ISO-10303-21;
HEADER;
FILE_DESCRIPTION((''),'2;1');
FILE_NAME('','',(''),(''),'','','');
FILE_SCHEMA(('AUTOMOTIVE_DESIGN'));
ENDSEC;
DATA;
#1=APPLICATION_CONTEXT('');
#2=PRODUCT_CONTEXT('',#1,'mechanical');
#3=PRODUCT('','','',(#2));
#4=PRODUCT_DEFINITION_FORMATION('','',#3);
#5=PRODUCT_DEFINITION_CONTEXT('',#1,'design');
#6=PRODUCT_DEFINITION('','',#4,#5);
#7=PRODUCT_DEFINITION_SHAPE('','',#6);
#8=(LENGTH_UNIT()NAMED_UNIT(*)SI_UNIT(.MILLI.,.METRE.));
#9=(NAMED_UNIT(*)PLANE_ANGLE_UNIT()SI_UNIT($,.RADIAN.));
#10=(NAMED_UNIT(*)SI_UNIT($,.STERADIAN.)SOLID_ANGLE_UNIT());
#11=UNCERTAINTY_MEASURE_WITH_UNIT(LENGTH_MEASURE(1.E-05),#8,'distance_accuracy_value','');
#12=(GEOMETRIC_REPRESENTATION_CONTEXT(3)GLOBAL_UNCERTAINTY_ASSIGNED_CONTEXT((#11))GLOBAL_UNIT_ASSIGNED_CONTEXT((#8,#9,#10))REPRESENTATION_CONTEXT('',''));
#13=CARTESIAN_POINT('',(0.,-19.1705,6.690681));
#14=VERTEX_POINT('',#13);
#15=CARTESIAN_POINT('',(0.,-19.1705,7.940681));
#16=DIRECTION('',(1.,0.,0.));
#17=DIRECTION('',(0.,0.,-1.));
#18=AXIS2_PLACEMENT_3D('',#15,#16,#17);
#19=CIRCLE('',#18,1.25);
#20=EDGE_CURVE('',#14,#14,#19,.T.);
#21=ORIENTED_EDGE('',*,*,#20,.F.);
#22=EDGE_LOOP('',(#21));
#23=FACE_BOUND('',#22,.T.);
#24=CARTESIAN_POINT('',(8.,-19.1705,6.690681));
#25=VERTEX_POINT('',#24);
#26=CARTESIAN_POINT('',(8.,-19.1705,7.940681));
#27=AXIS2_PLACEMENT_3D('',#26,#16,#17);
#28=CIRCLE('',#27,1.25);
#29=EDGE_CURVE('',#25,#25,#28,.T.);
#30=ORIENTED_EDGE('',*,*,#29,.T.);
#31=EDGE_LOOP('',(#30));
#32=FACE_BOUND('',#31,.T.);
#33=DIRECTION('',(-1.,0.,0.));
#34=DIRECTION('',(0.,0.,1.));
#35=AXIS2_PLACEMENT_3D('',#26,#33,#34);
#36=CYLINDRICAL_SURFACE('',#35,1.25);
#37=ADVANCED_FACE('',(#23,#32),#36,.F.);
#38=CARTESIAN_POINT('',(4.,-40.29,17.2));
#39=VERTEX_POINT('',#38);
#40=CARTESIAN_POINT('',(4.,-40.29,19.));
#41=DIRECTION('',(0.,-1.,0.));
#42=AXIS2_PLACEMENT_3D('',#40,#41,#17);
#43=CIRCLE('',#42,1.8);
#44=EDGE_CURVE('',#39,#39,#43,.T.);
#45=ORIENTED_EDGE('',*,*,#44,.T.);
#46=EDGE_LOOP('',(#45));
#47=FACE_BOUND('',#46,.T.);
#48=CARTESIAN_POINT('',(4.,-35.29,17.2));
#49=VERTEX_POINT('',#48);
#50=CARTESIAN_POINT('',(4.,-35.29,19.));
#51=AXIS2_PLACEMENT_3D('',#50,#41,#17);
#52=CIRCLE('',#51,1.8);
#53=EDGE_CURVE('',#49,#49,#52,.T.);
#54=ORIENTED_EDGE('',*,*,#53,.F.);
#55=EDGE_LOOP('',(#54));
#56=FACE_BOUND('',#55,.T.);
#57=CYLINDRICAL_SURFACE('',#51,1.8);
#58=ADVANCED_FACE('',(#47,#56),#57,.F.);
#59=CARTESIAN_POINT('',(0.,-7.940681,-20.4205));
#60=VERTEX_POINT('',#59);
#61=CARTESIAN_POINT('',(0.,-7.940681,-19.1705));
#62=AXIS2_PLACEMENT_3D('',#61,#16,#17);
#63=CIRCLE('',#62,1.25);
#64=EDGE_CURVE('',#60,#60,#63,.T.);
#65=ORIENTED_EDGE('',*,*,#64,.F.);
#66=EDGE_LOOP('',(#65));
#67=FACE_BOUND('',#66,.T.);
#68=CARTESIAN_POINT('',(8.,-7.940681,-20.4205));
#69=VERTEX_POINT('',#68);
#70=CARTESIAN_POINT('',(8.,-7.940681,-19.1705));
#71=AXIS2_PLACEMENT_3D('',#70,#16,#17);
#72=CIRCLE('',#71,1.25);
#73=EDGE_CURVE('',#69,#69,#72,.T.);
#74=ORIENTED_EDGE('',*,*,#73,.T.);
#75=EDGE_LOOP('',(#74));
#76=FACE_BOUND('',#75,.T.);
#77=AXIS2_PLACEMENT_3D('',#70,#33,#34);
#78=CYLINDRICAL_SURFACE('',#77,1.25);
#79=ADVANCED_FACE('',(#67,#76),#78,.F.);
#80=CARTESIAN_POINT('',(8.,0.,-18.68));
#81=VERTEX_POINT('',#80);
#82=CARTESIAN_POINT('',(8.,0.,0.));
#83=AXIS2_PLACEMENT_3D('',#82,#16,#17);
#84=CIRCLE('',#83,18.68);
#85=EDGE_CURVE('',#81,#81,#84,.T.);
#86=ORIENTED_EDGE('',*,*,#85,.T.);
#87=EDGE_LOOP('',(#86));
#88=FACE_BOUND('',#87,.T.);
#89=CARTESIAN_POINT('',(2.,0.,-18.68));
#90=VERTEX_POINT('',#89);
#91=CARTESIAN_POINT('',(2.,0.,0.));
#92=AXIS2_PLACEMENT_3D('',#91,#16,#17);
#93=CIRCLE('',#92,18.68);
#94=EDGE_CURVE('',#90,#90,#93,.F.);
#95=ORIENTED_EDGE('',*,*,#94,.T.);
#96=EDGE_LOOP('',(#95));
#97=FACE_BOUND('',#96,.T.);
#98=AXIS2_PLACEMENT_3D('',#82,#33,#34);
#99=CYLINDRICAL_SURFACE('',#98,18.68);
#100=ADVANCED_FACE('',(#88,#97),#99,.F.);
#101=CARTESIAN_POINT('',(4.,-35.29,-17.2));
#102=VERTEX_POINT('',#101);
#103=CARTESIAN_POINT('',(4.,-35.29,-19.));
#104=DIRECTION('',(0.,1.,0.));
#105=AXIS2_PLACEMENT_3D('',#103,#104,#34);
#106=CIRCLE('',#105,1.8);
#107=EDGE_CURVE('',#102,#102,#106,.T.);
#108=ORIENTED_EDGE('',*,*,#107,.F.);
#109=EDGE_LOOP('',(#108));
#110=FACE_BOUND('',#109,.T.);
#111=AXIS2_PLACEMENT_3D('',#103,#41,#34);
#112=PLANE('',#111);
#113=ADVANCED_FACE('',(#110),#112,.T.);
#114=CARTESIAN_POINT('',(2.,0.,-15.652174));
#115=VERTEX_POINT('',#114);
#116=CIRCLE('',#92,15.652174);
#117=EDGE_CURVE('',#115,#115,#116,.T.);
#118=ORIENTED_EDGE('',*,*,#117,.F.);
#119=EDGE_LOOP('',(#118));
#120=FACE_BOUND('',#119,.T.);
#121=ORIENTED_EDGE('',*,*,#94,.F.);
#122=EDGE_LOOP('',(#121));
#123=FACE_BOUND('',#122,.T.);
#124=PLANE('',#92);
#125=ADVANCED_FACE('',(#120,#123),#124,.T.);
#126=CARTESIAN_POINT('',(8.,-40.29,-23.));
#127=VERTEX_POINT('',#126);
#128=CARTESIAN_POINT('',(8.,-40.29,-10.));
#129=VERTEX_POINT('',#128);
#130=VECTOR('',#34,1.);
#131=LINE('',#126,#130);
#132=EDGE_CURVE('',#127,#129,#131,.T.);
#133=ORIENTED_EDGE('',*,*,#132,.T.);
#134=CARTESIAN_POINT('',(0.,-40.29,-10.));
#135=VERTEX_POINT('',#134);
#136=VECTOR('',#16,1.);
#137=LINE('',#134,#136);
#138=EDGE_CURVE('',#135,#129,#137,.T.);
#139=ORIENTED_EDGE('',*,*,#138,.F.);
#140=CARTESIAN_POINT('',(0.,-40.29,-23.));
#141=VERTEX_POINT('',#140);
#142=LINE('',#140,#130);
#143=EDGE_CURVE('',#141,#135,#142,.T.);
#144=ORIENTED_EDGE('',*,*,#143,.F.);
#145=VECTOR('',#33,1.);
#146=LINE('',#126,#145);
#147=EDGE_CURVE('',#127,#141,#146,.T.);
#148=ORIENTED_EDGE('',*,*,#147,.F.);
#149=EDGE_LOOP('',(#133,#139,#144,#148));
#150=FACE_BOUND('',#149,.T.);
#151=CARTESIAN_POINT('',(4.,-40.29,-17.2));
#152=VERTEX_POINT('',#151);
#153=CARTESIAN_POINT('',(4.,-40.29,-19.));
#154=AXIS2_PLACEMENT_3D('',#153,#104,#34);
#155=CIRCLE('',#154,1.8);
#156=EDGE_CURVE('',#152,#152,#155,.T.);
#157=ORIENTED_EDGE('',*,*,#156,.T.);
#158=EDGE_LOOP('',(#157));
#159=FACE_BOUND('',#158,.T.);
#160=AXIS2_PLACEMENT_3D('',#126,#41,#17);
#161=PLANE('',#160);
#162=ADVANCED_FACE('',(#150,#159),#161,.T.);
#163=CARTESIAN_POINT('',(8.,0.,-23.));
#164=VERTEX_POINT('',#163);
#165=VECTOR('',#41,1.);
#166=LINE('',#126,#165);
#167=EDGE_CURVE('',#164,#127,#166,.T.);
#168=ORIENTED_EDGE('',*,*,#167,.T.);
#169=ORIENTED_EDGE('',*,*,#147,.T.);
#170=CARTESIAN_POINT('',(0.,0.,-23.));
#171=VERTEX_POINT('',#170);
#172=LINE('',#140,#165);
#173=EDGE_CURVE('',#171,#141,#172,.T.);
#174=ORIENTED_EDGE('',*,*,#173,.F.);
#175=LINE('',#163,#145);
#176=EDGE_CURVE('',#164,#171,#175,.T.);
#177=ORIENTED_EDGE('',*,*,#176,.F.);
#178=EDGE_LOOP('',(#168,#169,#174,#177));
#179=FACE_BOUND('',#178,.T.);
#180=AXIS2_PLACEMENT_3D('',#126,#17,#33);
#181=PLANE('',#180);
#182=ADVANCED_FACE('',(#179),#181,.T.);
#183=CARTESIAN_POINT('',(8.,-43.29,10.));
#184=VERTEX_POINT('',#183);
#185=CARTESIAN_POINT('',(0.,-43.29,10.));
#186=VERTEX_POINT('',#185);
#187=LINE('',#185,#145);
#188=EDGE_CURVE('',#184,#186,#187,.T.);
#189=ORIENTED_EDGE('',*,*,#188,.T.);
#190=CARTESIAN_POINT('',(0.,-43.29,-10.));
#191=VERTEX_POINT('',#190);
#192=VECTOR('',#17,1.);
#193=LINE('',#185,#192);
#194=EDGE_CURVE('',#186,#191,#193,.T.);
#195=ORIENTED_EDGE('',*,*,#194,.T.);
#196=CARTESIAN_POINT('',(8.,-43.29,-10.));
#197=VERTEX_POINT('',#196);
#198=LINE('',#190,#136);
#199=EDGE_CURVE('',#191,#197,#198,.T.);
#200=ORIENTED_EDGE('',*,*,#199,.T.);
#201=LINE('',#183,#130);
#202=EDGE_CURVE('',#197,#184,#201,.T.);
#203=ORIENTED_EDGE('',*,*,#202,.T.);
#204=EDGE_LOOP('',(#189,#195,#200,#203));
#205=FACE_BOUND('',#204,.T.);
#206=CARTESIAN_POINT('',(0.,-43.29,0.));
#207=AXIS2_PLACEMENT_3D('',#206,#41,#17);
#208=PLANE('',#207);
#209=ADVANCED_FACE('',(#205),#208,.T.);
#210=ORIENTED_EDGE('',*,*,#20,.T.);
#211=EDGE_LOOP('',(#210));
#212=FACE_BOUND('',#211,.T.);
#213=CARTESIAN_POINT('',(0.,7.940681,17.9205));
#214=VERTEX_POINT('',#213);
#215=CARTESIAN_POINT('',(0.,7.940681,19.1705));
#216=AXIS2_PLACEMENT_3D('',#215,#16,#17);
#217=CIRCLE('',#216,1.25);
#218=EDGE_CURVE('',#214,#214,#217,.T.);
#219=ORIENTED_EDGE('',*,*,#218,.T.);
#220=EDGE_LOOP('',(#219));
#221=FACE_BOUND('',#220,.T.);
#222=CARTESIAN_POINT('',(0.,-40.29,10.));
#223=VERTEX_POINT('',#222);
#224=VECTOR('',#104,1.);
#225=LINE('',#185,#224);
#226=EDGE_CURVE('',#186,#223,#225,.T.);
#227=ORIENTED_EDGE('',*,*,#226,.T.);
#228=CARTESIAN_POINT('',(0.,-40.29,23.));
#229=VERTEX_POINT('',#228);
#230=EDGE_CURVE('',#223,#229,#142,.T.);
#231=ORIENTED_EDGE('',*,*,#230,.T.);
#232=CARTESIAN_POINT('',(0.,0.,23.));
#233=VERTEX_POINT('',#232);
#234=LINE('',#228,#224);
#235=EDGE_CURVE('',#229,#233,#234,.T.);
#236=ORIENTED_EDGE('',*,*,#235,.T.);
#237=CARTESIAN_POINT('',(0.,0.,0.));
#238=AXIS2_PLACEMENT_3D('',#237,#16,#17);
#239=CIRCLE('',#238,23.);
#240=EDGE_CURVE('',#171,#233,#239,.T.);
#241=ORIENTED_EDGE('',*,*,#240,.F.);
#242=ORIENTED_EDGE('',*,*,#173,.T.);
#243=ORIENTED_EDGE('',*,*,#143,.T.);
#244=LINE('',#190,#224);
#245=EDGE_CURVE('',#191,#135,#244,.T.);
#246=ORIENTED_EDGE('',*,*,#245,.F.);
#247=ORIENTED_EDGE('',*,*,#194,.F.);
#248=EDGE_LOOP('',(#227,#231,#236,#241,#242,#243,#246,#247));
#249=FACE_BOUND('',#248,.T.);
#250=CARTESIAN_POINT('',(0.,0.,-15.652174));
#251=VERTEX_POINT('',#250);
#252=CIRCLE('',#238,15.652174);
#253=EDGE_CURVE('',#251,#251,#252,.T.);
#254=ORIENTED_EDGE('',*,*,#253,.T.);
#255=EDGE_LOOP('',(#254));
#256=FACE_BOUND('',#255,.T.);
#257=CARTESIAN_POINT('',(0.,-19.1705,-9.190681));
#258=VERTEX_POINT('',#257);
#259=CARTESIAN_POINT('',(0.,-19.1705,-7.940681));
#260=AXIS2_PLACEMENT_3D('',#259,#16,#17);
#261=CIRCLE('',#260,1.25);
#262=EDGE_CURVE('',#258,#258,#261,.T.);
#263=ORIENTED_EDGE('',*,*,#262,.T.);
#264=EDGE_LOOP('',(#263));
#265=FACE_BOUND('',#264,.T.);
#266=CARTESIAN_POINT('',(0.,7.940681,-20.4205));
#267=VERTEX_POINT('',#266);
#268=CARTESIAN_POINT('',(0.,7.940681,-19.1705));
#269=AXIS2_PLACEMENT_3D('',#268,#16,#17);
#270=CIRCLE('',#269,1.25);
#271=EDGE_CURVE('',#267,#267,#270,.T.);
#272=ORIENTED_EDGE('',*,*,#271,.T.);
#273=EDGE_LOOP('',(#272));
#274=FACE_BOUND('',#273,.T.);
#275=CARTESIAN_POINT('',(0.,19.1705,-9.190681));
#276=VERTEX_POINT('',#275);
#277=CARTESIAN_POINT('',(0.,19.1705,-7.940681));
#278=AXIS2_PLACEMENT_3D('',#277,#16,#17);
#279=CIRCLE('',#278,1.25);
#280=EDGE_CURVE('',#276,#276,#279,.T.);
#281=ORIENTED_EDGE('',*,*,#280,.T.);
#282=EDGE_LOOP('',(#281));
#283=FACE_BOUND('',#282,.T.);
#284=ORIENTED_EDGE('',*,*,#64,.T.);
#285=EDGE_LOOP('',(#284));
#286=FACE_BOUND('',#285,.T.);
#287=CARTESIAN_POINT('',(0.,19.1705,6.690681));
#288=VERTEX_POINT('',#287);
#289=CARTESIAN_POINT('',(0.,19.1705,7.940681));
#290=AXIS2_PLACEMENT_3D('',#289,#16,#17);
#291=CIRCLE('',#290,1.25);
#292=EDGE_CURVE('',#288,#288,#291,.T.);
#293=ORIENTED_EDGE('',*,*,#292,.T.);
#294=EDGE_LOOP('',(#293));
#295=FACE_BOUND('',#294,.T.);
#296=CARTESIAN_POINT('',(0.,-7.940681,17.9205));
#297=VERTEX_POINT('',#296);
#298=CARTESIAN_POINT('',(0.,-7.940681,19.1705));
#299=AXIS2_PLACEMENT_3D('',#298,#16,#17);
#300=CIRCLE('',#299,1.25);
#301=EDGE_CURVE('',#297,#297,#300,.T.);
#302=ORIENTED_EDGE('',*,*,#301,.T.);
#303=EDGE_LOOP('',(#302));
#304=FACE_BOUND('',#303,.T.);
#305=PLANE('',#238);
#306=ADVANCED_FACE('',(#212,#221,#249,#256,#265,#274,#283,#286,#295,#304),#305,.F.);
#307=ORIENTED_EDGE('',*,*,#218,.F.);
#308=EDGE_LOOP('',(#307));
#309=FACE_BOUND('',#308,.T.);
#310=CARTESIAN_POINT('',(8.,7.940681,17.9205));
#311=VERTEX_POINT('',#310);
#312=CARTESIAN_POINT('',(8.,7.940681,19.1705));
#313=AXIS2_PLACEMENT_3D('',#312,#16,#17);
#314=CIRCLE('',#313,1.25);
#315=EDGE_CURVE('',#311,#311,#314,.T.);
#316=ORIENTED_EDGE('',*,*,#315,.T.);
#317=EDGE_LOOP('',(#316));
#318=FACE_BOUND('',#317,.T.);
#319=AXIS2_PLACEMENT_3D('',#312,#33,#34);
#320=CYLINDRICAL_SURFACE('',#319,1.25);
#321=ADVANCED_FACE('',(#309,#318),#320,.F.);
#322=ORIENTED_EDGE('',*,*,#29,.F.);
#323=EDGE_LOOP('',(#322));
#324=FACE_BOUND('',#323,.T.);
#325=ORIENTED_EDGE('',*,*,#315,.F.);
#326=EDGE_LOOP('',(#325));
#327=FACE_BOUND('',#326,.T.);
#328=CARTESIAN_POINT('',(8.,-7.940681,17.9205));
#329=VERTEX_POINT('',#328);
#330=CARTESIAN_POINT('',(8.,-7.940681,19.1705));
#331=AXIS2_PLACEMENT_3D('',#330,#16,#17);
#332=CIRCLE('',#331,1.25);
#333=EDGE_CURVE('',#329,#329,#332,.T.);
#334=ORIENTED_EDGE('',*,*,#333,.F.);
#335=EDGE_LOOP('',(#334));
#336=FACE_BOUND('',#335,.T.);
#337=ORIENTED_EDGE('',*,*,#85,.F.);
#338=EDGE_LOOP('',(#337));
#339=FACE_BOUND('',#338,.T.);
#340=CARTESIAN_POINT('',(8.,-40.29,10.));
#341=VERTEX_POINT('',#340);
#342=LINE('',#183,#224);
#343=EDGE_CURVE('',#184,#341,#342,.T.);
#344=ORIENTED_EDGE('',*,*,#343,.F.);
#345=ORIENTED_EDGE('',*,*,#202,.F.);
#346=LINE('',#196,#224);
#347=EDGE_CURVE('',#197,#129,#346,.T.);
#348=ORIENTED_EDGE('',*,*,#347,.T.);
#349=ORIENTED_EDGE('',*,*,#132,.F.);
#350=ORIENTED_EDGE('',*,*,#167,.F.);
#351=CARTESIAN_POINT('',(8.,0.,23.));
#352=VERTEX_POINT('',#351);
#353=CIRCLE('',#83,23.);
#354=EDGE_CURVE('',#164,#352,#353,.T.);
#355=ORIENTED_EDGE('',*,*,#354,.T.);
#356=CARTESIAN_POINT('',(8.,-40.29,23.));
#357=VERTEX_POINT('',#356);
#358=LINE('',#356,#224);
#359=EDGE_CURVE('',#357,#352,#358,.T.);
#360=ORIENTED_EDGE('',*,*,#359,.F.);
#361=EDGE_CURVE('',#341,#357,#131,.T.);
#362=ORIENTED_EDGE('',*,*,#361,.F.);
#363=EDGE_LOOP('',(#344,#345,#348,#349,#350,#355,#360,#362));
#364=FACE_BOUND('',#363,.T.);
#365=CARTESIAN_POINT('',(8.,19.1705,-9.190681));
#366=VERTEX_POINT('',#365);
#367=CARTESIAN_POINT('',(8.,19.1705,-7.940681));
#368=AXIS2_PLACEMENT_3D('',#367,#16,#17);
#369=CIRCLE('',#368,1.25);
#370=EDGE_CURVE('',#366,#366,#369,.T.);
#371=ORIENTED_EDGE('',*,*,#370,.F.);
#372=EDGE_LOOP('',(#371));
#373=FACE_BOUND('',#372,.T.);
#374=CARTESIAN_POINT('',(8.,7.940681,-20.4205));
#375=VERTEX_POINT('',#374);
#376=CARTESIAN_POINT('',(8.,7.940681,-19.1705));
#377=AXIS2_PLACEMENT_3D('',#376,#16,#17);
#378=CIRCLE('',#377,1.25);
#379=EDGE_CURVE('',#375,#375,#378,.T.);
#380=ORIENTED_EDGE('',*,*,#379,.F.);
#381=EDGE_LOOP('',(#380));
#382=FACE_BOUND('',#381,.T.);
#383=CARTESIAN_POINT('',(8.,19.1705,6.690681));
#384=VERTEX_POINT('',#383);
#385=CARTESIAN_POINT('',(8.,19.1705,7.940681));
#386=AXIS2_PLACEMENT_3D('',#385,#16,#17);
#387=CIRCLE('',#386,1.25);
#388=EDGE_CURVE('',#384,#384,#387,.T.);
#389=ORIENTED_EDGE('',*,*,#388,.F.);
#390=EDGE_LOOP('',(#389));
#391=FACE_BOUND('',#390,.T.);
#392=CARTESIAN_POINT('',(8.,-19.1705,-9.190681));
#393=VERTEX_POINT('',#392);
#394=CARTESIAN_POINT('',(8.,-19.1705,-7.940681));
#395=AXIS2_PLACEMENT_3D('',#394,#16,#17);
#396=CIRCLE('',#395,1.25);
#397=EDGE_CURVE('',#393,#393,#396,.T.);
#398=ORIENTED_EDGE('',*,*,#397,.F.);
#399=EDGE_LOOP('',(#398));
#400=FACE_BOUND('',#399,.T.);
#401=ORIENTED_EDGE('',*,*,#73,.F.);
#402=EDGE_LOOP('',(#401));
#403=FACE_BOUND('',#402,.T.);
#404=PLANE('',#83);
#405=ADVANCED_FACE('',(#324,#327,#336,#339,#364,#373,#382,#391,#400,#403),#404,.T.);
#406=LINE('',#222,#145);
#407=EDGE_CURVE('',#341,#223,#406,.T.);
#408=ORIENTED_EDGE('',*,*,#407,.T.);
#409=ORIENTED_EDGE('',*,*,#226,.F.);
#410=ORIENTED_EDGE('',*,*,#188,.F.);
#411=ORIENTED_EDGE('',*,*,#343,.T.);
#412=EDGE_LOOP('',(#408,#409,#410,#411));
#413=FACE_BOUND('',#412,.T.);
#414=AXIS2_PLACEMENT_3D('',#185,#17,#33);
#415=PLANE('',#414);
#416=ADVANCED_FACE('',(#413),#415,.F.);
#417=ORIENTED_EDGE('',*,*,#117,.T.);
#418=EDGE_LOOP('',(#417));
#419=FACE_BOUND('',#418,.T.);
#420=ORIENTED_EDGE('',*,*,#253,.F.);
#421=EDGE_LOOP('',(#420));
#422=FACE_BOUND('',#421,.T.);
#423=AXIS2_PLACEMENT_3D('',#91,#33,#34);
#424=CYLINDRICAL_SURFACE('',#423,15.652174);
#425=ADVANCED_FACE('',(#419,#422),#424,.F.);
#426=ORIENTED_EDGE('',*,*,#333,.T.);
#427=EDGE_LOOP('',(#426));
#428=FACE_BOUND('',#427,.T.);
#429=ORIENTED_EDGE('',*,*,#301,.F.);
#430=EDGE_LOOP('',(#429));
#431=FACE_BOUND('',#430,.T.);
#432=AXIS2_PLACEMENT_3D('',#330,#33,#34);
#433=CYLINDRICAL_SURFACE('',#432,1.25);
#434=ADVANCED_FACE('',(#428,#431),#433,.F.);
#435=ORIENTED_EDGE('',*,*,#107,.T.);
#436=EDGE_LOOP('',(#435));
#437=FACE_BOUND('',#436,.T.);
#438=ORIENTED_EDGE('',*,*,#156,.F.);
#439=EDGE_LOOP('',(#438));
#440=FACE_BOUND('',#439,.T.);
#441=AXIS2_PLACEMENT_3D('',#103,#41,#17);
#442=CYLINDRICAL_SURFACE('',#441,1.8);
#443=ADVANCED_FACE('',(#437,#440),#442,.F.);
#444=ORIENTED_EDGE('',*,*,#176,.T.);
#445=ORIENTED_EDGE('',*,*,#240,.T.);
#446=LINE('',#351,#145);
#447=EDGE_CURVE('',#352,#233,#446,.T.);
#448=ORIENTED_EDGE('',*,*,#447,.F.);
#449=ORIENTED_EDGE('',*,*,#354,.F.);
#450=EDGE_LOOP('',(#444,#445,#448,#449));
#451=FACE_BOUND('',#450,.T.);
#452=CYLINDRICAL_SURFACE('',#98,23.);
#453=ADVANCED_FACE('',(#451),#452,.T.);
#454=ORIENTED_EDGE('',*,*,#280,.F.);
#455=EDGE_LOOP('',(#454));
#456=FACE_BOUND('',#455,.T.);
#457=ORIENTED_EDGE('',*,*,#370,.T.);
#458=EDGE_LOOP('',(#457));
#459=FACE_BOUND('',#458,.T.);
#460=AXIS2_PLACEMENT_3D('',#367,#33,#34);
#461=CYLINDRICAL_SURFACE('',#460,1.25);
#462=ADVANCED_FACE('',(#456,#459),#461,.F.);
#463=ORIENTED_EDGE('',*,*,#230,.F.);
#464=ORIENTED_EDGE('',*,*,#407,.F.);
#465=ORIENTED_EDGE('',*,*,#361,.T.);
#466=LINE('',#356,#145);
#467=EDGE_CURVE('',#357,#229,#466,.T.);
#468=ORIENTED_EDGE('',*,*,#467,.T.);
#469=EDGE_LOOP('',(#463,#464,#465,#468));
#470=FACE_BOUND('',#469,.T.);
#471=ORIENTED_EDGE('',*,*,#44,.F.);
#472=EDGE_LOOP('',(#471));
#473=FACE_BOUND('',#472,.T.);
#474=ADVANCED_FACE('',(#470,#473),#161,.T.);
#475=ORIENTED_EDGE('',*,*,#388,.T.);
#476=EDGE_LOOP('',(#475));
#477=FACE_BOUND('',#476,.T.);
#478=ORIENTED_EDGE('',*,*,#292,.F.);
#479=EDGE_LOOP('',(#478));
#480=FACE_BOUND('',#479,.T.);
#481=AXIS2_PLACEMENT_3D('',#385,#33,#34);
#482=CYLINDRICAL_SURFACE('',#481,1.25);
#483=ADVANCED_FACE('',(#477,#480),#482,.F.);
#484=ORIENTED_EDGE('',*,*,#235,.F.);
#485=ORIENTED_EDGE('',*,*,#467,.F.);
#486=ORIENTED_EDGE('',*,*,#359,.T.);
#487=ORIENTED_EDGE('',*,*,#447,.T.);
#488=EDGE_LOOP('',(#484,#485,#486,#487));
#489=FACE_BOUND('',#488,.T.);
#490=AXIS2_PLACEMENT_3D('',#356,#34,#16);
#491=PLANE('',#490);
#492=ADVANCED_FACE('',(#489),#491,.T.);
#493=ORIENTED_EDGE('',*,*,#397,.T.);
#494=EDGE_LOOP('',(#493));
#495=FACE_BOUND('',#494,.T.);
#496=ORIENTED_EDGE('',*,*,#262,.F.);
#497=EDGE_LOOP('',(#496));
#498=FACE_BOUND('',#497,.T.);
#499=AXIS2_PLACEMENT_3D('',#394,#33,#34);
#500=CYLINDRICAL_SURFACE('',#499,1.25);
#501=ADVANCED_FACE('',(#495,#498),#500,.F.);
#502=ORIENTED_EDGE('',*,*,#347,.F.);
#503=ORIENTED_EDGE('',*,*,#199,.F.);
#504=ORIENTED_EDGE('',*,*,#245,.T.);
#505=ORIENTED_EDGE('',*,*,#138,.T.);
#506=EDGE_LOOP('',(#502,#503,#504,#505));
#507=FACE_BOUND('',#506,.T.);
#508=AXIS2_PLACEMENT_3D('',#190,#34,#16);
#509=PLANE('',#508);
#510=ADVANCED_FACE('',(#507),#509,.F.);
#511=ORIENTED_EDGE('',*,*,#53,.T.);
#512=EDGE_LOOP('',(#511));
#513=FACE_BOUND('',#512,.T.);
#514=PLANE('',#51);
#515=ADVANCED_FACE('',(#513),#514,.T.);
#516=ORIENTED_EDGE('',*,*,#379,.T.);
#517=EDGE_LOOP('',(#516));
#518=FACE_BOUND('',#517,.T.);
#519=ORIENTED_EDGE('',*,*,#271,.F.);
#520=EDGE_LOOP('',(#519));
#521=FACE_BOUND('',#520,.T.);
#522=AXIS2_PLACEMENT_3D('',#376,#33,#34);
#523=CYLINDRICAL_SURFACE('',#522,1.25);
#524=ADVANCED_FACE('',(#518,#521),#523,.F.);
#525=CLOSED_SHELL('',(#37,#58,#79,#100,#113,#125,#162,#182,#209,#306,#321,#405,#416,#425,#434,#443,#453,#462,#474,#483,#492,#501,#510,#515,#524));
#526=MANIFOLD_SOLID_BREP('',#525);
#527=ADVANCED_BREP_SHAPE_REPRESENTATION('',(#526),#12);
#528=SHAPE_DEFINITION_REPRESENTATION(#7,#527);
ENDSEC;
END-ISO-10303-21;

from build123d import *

# Parameters (mm, degrees)
SKETCH_1_R          = 18.68
SKETCH_1_R_2        = 15.652173913
EXTRUDE_2_DEPTH     = 2
SKETCH_1_4_R        = 23
SKETCH_1_4_R_2      = 1.25
SKETCH_1_4_R_3      = 18.68
EXTRUDE_3_DEPTH     = 8
EXTRUDE_4_DEPTH     = 8
SKETCH_3_R          = 1.8
CUT_EXTRUDE_1_DEPTH = 5
SKETCH_4_W          = 8
SKETCH_4_H          = 20
EXTRUDE_5_DEPTH     = 3


with BuildPart() as part:
    # 草图1 → 凸台-拉伸2 (new body)
    with BuildSketch(Plane(origin=(0, 0, 0), x_dir=(0, 0, -1), z_dir=(1, 0, 0))):
        Circle(SKETCH_1_R)
        Circle(SKETCH_1_R_2, mode=Mode.SUBTRACT)
    extrude(amount=EXTRUDE_2_DEPTH)

    # 草图1<4> → 凸台-拉伸3 (add)
    with BuildSketch(Plane(origin=(0, 0, 0), x_dir=(0, 0, -1), z_dir=(1, 0, 0))):
        Circle(SKETCH_1_4_R)
        with Locations((-7.940681222, -19.1705003)):
            Circle(SKETCH_1_4_R_2, mode=Mode.SUBTRACT)
        with Locations((-19.1705003, -7.940681222)):
            Circle(SKETCH_1_4_R_2, mode=Mode.SUBTRACT)
        with Locations((7.940681222, -19.1705003)):
            Circle(SKETCH_1_4_R_2, mode=Mode.SUBTRACT)
        with Locations((19.1705003, -7.940681222)):
            Circle(SKETCH_1_4_R_2, mode=Mode.SUBTRACT)
        with Locations((-19.1705003, 7.940681222)):
            Circle(SKETCH_1_4_R_2, mode=Mode.SUBTRACT)
        with Locations((-7.940681222, 19.1705003)):
            Circle(SKETCH_1_4_R_2, mode=Mode.SUBTRACT)
        Circle(SKETCH_1_4_R_3, mode=Mode.SUBTRACT)
        with Locations((19.1705003, 7.940681222)):
            Circle(SKETCH_1_4_R_2, mode=Mode.SUBTRACT)
        with Locations((7.940681222, 19.1705003)):
            Circle(SKETCH_1_4_R_2, mode=Mode.SUBTRACT)
    extrude(amount=EXTRUDE_3_DEPTH)

    # 草图2 → 凸台-拉伸4 (add)
    with BuildSketch(Plane.ZY):
        with BuildLine():
            Line((-23, -40.29), (-23, 0))
            ThreePointArc((-23, 0), (0, -23), (23, 0))
            Line((23, 0), (23, -40.29))
            Line((23, -40.29), (-23, -40.29))
        make_face()
    extrude(amount=-EXTRUDE_4_DEPTH)

    # 草图3 → 切除-拉伸1 (cut)
    with BuildSketch(Plane.XZ.offset(40.29)):
        with Locations((4, 19)):
            Circle(SKETCH_3_R)
    cut_extrude_1 = extrude(amount=-CUT_EXTRUDE_1_DEPTH, mode=Mode.SUBTRACT)

    # 镜向1: 切除-拉伸1 across plane
    add(cut_extrude_1.mirror(Plane(origin=(0, 0, 0), x_dir=(1, 0, 0), z_dir=(0, 0, -1))), mode=Mode.SUBTRACT)

    # 草图4 → 凸台-拉伸5 (add)
    with BuildSketch(Plane(origin=(0, -40.29, 0), x_dir=(-1, 0, 0), z_dir=(0, -1, 0))):
        with Locations((-4, 0)):
            Rectangle(SKETCH_4_W, SKETCH_4_H)
    extrude(amount=EXTRUDE_5_DEPTH)


solid = part.part
